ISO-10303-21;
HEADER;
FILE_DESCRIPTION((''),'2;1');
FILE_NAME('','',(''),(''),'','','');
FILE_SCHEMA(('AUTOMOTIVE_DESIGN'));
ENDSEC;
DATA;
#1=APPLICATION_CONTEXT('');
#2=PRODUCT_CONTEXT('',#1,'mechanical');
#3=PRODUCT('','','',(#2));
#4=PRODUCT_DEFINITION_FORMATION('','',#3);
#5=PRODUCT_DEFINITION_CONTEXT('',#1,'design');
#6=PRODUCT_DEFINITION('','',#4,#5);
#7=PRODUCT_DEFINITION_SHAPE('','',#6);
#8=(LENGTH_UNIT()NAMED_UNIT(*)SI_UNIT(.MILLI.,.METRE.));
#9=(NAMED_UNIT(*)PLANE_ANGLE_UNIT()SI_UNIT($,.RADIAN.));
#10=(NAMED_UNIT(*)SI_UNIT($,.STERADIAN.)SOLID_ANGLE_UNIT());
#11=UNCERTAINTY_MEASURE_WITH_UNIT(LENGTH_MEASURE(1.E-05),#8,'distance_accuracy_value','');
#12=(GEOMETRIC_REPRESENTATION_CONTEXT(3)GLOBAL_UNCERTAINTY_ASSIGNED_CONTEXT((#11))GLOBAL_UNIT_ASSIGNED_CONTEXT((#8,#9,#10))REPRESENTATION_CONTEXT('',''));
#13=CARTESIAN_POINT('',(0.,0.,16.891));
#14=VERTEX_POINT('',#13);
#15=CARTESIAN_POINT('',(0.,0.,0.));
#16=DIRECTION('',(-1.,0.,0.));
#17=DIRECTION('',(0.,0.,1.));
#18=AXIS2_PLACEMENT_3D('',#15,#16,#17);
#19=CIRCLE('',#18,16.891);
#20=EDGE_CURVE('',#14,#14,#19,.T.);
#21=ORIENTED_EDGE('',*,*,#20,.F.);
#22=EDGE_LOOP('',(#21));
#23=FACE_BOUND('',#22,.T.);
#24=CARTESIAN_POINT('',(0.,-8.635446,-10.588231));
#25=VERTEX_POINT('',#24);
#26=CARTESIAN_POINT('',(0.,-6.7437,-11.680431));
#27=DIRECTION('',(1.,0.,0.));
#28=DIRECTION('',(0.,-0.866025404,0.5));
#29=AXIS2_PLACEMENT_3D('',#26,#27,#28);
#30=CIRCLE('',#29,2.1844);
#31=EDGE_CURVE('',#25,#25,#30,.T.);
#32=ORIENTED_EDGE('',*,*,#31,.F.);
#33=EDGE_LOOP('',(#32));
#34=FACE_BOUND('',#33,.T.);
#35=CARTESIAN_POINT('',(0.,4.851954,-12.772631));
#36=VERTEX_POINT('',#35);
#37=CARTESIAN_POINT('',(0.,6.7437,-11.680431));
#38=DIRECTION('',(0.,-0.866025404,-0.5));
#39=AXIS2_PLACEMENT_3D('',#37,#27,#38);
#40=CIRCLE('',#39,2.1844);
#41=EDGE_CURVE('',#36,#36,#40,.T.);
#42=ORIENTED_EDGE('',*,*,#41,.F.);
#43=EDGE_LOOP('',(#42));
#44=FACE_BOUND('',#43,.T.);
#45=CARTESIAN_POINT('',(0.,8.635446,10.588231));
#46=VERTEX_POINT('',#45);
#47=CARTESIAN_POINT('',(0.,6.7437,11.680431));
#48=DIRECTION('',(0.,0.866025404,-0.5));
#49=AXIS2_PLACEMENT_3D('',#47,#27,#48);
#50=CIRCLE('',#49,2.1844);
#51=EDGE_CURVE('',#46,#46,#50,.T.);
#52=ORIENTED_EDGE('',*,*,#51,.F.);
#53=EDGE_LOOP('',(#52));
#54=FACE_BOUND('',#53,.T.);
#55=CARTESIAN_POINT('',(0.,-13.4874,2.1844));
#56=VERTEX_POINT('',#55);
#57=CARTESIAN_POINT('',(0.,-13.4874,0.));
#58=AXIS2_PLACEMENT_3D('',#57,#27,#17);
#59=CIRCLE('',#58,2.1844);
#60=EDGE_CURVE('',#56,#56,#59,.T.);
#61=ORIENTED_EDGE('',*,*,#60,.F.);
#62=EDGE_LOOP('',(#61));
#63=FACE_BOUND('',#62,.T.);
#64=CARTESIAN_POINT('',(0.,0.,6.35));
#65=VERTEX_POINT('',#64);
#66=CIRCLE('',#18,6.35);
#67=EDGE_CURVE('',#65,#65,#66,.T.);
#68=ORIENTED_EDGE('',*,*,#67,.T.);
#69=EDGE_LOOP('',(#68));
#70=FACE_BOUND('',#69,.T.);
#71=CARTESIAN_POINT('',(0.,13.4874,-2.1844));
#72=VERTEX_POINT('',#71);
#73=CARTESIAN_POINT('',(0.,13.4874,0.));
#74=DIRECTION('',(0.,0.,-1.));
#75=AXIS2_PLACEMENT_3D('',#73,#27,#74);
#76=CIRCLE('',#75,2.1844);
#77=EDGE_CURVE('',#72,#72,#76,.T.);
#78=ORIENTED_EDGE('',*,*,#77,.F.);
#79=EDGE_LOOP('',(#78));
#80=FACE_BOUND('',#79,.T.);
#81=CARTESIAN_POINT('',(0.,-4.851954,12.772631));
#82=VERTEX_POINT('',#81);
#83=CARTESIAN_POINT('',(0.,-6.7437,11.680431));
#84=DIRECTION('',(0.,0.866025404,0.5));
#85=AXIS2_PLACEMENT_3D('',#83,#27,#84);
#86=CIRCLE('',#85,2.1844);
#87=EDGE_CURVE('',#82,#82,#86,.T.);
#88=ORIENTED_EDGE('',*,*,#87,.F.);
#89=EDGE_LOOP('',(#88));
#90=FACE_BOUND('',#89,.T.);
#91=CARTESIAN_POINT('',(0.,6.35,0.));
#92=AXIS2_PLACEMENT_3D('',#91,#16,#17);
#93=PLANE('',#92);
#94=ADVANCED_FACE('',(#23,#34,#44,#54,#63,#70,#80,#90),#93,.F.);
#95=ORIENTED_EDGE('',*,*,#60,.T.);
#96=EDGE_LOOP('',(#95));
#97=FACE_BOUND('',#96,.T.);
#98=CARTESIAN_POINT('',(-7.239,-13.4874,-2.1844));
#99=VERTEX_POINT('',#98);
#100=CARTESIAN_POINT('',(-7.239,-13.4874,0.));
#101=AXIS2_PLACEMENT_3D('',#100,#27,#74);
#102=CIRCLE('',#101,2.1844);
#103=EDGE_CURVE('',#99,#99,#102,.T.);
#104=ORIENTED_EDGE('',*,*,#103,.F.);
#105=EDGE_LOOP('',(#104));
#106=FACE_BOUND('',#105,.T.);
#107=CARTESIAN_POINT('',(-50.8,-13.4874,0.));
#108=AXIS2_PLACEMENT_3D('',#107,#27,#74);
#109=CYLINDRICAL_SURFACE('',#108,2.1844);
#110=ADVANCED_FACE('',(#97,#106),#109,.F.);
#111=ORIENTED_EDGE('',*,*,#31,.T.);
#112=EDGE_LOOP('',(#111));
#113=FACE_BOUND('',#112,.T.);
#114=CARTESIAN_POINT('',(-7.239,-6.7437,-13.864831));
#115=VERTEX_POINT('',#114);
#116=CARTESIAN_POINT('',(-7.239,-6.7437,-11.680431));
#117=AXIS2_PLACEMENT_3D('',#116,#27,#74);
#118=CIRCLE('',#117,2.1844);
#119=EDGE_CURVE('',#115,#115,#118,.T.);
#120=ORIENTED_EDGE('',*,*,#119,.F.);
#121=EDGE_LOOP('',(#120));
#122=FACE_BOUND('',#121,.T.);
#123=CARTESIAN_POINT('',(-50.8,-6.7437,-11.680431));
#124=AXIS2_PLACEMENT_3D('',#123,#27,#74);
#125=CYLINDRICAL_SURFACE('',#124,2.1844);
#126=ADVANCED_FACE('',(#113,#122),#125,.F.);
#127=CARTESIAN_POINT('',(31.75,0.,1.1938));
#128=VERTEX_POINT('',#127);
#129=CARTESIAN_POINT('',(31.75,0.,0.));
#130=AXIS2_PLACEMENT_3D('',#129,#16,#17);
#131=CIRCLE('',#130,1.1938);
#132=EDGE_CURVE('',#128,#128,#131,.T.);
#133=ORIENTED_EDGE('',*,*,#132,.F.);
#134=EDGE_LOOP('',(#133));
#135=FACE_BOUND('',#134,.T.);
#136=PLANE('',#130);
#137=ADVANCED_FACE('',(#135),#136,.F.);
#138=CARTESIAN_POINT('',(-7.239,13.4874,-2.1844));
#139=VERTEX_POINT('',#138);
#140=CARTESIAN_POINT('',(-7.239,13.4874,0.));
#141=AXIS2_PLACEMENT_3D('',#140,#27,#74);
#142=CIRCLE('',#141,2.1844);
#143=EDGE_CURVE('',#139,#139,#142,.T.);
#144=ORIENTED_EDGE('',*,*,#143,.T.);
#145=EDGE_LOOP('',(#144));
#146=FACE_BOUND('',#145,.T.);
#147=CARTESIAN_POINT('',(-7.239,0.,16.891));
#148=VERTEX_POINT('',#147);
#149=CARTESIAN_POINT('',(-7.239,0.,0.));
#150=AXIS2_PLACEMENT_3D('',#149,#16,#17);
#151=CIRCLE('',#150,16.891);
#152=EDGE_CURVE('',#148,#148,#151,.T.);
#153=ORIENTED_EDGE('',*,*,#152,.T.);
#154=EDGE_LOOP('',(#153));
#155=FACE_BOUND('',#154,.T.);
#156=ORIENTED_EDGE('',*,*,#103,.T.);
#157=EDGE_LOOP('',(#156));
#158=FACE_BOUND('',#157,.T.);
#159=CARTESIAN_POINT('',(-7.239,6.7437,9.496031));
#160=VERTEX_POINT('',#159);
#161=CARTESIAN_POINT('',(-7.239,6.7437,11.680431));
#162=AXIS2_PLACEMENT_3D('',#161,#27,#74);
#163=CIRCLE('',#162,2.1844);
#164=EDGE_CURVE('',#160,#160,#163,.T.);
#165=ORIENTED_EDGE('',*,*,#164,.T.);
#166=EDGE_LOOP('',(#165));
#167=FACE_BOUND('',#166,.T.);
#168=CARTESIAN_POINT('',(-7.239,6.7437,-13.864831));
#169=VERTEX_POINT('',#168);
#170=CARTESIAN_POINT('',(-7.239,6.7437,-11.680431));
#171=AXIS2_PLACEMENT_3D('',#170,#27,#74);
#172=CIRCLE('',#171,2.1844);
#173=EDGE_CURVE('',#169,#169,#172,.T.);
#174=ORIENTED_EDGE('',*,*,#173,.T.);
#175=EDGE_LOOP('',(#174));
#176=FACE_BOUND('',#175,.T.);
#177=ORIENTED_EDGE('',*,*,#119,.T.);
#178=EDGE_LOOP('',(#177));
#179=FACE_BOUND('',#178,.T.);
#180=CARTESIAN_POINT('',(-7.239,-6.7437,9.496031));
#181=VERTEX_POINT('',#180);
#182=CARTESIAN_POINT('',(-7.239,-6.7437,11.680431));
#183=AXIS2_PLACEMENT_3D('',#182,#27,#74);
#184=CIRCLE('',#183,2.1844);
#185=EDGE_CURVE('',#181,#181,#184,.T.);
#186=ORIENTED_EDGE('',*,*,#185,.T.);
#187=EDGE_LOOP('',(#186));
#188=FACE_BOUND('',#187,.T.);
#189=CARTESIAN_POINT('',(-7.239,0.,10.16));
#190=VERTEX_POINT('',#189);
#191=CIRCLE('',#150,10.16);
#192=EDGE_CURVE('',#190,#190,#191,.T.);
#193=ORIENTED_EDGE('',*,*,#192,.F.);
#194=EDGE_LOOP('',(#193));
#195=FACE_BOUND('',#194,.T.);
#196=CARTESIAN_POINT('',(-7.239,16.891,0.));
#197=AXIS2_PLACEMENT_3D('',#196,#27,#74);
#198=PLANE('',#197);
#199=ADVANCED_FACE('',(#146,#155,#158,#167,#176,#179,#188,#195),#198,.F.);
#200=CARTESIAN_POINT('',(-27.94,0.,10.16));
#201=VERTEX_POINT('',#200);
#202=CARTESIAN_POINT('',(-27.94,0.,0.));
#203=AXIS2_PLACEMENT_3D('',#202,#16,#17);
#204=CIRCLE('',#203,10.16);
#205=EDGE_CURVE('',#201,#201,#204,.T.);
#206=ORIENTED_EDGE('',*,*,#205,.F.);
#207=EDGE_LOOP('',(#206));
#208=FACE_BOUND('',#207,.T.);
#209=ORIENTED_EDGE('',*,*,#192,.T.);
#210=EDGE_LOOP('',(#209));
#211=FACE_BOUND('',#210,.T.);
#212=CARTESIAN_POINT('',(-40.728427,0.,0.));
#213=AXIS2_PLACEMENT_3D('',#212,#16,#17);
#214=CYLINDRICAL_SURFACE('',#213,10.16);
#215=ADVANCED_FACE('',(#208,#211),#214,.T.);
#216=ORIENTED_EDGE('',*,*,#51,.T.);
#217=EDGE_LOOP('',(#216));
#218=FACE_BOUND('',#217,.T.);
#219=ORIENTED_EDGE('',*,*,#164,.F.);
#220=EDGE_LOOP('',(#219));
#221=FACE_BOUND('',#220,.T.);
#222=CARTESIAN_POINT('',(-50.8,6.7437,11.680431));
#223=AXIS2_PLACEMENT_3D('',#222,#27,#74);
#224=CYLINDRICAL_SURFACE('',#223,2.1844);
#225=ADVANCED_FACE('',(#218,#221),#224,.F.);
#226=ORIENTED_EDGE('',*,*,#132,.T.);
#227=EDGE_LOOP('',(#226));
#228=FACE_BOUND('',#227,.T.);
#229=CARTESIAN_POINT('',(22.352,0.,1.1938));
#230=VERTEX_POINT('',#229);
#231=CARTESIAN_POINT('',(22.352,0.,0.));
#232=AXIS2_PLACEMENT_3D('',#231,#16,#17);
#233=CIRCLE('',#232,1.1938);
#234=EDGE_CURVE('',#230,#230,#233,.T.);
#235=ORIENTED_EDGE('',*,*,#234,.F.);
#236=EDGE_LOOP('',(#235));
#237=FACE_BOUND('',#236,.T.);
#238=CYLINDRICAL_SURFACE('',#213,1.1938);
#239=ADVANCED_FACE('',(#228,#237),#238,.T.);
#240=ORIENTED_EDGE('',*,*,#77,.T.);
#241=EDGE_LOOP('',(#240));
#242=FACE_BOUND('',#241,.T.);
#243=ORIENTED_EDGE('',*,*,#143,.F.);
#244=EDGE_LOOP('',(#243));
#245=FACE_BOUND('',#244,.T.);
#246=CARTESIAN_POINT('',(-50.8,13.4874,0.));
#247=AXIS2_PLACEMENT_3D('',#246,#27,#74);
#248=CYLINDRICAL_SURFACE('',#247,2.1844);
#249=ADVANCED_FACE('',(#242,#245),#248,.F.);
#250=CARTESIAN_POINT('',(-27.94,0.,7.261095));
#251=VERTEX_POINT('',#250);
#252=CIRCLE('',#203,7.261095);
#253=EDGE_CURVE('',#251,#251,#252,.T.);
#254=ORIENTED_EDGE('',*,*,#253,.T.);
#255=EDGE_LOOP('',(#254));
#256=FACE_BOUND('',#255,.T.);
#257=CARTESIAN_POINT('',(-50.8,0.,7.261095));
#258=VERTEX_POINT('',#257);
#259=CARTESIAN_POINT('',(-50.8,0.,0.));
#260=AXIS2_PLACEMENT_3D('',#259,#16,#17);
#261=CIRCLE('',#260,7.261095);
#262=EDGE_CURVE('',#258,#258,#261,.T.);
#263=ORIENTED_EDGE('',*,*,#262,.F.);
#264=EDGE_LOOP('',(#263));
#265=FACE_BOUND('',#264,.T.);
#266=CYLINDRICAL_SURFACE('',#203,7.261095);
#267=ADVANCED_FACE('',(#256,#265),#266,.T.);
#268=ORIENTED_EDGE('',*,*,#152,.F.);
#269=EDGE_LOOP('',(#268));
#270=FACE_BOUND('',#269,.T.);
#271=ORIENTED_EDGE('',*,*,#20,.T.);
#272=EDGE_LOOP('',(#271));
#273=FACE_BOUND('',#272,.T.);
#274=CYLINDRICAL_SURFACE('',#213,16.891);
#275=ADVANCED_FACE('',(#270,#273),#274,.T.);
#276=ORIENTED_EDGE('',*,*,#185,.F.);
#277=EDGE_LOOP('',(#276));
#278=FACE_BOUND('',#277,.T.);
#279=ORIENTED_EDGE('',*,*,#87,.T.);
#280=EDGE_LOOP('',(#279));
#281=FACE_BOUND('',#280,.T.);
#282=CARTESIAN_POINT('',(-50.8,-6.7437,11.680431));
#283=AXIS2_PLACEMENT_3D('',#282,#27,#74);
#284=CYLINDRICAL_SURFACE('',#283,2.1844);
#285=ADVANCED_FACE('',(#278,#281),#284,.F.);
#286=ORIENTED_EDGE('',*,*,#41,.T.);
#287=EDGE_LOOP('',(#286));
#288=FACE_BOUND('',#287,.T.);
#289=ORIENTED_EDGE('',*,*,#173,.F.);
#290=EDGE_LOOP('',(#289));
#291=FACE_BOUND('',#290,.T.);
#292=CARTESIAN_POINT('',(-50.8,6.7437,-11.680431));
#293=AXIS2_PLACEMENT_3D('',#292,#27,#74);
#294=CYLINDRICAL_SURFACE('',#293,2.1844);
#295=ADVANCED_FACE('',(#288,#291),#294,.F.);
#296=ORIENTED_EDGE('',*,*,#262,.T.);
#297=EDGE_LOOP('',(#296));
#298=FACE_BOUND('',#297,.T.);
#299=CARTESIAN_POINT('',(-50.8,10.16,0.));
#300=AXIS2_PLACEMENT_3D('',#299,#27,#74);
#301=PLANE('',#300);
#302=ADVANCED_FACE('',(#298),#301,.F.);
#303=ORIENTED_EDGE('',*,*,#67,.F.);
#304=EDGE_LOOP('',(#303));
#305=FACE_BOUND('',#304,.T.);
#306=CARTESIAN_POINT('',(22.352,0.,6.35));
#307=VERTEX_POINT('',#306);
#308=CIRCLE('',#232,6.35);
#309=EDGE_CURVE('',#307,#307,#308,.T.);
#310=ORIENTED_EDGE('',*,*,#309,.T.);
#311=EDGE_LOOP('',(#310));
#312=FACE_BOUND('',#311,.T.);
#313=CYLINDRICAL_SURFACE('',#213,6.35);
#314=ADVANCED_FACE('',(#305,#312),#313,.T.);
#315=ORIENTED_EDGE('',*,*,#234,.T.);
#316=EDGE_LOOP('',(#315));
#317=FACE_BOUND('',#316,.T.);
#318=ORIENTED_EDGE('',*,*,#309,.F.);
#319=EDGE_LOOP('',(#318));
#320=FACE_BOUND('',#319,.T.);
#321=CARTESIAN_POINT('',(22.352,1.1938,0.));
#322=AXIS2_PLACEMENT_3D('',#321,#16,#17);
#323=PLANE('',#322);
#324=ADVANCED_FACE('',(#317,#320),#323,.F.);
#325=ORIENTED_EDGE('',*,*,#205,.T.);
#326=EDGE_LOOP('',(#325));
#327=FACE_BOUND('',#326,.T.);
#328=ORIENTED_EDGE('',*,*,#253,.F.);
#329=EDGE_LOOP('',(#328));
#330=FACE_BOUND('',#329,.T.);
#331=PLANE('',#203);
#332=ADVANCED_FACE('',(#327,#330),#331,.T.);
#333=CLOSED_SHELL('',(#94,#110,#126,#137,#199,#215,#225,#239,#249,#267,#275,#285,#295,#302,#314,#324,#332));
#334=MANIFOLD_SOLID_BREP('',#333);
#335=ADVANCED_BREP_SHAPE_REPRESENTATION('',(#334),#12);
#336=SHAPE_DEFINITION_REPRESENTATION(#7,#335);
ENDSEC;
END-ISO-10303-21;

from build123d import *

# Parameters (mm, degrees)
SKETCH2_R         = 2.1844
EXTRUDE1_DEPTH    = 57.136011276
CIRPATTERN1_COUNT = 6
SKETCH3_R         = 10.16
SKETCH3_R_2       = 7.261095031
EXTRUDE2_DEPTH    = 22.86


with BuildPart() as part:
    # Sketch1 → Revolve1 (revolve)
    with BuildSketch(Plane.XY, mode=Mode.PRIVATE) as revolve1_sk:
        Polygon((31.75, 0), (31.75, 1.1938), (22.352, 1.1938), (22.352, 6.35), (0, 6.35), (0, 16.891), (-7.239, 16.891), (-7.239, 10.16), (-50.8, 10.16), (-50.8, 0), align=None)
    revolve(revolve1_sk.sketch.rotate(Axis((-40.728426743, 0, 0), (1, 0, 0)), 90), axis=Axis((-40.728426743, 0, 0), (1, 0, 0)))

    # Sketch2 → Extrude1 (cut, through all)
    with BuildSketch(Plane(origin=(0, 0, 0), x_dir=(0, 0, -1), z_dir=(1, 0, 0))):
        with Locations((0, 13.4874)):
            Circle(SKETCH2_R)
    extrude1 = extrude(amount=-EXTRUDE1_DEPTH, mode=Mode.SUBTRACT)

    # CirPattern1: Extrude1 ×6 about axis
    cirpattern1_axis = Axis((0, 0, 0), (1, 0, 0))
    for i in range(1, CIRPATTERN1_COUNT):
        add(extrude1.rotate(cirpattern1_axis, i * 360 / CIRPATTERN1_COUNT), mode=Mode.SUBTRACT)

    # Sketch3 → Extrude2 (cut)
    with BuildSketch(Plane.ZY.offset(50.8)):
        Circle(SKETCH3_R)
        Circle(SKETCH3_R_2, mode=Mode.SUBTRACT)
    extrude(amount=-EXTRUDE2_DEPTH, mode=Mode.SUBTRACT)


solid = part.part
